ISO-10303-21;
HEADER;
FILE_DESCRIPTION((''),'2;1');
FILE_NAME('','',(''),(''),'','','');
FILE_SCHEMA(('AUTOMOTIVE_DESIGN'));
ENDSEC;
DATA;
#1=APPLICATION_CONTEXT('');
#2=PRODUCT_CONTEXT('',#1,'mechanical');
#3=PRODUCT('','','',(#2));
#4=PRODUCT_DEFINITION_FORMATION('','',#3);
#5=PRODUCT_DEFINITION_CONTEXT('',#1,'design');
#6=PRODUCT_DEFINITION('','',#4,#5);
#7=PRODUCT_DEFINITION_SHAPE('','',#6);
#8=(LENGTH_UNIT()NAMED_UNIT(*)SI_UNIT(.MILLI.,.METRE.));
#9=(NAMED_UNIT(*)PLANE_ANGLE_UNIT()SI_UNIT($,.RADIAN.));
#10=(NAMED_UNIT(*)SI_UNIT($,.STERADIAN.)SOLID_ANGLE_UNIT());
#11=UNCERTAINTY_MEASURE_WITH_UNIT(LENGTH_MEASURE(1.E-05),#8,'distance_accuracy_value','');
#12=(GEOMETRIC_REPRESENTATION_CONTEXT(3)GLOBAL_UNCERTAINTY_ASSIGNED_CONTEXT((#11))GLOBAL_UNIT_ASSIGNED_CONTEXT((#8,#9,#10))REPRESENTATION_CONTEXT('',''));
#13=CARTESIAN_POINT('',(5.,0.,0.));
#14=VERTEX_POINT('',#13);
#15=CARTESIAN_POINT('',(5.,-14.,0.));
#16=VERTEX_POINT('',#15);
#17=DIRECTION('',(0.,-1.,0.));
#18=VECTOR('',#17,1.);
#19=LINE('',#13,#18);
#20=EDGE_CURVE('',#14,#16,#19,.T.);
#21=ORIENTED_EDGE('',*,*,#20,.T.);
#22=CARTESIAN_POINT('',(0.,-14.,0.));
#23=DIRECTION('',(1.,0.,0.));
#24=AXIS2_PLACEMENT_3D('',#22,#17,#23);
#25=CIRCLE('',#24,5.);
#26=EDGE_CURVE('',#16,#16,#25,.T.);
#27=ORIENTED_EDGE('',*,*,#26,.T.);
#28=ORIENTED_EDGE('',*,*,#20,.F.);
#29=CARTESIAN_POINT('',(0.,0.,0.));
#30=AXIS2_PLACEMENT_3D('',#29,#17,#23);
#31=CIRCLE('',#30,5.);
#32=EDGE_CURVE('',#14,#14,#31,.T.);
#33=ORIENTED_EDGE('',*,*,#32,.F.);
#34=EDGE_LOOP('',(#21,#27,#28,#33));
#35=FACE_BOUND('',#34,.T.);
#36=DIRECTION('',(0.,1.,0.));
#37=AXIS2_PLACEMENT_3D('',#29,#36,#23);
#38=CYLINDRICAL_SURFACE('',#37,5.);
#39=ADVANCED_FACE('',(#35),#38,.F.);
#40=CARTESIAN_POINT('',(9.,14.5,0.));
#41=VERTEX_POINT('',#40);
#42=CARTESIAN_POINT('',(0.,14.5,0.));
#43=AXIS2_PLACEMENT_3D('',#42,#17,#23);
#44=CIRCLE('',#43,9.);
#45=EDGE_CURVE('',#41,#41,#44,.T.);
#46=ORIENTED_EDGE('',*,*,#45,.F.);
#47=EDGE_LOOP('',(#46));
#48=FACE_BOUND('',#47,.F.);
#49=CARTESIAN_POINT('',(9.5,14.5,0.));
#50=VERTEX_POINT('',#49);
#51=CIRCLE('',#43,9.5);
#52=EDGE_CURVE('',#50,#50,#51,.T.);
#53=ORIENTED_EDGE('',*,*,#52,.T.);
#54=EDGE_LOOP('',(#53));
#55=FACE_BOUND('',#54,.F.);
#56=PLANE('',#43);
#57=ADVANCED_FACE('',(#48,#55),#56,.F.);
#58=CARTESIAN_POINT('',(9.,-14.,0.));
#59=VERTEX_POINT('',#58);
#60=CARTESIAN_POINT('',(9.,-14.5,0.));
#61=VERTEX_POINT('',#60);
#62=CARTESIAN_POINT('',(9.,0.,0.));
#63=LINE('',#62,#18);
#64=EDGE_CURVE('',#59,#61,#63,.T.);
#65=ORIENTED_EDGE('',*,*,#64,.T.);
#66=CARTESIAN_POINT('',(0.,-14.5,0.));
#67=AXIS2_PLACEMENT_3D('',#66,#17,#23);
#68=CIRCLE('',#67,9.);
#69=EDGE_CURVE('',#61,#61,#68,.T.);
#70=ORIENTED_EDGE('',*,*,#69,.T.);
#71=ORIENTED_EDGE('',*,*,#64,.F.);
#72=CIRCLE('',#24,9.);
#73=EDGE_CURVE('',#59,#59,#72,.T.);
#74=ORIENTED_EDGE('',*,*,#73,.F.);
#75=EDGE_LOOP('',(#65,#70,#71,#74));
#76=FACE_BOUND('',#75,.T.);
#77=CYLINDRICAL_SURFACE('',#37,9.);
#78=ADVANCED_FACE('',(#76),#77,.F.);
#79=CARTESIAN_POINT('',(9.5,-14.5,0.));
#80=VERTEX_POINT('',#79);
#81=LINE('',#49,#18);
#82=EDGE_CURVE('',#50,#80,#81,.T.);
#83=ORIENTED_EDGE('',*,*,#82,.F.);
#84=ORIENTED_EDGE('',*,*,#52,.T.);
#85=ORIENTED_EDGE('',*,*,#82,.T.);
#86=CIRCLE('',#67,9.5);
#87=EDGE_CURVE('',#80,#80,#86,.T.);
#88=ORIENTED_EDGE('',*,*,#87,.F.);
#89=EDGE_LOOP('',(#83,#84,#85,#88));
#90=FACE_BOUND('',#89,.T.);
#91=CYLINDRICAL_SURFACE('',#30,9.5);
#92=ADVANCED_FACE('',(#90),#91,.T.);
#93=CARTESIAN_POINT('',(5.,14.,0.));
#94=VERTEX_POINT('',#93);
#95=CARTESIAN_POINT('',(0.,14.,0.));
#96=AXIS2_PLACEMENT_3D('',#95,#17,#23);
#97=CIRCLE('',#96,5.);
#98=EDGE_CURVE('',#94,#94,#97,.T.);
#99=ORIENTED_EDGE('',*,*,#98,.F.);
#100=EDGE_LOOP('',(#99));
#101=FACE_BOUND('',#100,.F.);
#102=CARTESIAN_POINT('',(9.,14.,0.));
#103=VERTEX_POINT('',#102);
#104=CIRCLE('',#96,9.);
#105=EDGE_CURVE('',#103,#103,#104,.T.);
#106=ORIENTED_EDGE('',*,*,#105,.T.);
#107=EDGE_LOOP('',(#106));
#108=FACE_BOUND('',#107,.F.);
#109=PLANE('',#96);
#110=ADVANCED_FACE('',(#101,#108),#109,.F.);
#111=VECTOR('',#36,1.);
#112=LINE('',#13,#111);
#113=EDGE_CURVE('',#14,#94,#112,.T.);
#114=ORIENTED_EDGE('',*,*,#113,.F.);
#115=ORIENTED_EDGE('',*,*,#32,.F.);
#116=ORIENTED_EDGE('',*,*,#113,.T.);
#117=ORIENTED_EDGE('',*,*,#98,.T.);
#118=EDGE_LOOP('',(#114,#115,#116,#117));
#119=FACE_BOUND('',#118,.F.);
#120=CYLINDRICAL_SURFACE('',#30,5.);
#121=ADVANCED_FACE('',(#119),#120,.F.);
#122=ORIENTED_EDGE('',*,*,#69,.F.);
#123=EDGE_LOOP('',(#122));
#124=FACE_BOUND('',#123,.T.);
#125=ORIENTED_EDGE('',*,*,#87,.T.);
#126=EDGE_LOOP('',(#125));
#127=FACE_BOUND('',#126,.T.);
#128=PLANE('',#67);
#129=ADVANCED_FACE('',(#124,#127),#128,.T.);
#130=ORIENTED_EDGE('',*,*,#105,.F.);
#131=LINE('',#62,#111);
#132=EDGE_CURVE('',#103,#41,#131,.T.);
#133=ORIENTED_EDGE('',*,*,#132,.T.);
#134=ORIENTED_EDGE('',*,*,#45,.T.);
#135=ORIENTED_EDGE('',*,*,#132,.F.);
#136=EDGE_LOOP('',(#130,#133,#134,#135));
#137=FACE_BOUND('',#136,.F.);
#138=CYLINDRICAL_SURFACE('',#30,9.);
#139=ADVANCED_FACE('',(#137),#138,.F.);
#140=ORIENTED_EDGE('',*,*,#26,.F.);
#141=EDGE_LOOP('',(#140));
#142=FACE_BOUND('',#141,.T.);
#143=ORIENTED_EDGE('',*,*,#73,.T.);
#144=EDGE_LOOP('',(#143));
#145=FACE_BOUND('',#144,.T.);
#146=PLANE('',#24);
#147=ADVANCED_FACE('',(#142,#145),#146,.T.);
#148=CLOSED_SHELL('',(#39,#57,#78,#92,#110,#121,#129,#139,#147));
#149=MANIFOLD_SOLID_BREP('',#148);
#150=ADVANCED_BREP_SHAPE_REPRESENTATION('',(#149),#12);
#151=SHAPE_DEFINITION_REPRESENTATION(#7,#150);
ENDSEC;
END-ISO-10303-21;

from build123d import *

# Parameters (mm, degrees)
F0_R          = 9
F0_R_2        = 5
F1_DEPTH      = 14
F1_DEPTH_BACK = 14
F0_R_3        = 9.5
F2_DEPTH      = 14.5
F2_DEPTH_BACK = 14.5


with BuildPart() as f1:
    # F0 (on Front) → F1 (new body, two sides)
    with BuildSketch(Plane.XZ) as f1_sk:
        Circle(F0_R)
        Circle(F0_R_2, mode=Mode.SUBTRACT)
    extrude(amount=F1_DEPTH)
    extrude(f1_sk.sketch, amount=-F1_DEPTH_BACK)

    # F0 (on Front) → F2 (join, two sides)
    with BuildSketch(Plane.XZ) as f2_sk:
        Circle(F0_R_3)
        Circle(F0_R, mode=Mode.SUBTRACT)
    extrude(amount=F2_DEPTH)
    extrude(f2_sk.sketch, amount=-F2_DEPTH_BACK)


solid = f1.part
